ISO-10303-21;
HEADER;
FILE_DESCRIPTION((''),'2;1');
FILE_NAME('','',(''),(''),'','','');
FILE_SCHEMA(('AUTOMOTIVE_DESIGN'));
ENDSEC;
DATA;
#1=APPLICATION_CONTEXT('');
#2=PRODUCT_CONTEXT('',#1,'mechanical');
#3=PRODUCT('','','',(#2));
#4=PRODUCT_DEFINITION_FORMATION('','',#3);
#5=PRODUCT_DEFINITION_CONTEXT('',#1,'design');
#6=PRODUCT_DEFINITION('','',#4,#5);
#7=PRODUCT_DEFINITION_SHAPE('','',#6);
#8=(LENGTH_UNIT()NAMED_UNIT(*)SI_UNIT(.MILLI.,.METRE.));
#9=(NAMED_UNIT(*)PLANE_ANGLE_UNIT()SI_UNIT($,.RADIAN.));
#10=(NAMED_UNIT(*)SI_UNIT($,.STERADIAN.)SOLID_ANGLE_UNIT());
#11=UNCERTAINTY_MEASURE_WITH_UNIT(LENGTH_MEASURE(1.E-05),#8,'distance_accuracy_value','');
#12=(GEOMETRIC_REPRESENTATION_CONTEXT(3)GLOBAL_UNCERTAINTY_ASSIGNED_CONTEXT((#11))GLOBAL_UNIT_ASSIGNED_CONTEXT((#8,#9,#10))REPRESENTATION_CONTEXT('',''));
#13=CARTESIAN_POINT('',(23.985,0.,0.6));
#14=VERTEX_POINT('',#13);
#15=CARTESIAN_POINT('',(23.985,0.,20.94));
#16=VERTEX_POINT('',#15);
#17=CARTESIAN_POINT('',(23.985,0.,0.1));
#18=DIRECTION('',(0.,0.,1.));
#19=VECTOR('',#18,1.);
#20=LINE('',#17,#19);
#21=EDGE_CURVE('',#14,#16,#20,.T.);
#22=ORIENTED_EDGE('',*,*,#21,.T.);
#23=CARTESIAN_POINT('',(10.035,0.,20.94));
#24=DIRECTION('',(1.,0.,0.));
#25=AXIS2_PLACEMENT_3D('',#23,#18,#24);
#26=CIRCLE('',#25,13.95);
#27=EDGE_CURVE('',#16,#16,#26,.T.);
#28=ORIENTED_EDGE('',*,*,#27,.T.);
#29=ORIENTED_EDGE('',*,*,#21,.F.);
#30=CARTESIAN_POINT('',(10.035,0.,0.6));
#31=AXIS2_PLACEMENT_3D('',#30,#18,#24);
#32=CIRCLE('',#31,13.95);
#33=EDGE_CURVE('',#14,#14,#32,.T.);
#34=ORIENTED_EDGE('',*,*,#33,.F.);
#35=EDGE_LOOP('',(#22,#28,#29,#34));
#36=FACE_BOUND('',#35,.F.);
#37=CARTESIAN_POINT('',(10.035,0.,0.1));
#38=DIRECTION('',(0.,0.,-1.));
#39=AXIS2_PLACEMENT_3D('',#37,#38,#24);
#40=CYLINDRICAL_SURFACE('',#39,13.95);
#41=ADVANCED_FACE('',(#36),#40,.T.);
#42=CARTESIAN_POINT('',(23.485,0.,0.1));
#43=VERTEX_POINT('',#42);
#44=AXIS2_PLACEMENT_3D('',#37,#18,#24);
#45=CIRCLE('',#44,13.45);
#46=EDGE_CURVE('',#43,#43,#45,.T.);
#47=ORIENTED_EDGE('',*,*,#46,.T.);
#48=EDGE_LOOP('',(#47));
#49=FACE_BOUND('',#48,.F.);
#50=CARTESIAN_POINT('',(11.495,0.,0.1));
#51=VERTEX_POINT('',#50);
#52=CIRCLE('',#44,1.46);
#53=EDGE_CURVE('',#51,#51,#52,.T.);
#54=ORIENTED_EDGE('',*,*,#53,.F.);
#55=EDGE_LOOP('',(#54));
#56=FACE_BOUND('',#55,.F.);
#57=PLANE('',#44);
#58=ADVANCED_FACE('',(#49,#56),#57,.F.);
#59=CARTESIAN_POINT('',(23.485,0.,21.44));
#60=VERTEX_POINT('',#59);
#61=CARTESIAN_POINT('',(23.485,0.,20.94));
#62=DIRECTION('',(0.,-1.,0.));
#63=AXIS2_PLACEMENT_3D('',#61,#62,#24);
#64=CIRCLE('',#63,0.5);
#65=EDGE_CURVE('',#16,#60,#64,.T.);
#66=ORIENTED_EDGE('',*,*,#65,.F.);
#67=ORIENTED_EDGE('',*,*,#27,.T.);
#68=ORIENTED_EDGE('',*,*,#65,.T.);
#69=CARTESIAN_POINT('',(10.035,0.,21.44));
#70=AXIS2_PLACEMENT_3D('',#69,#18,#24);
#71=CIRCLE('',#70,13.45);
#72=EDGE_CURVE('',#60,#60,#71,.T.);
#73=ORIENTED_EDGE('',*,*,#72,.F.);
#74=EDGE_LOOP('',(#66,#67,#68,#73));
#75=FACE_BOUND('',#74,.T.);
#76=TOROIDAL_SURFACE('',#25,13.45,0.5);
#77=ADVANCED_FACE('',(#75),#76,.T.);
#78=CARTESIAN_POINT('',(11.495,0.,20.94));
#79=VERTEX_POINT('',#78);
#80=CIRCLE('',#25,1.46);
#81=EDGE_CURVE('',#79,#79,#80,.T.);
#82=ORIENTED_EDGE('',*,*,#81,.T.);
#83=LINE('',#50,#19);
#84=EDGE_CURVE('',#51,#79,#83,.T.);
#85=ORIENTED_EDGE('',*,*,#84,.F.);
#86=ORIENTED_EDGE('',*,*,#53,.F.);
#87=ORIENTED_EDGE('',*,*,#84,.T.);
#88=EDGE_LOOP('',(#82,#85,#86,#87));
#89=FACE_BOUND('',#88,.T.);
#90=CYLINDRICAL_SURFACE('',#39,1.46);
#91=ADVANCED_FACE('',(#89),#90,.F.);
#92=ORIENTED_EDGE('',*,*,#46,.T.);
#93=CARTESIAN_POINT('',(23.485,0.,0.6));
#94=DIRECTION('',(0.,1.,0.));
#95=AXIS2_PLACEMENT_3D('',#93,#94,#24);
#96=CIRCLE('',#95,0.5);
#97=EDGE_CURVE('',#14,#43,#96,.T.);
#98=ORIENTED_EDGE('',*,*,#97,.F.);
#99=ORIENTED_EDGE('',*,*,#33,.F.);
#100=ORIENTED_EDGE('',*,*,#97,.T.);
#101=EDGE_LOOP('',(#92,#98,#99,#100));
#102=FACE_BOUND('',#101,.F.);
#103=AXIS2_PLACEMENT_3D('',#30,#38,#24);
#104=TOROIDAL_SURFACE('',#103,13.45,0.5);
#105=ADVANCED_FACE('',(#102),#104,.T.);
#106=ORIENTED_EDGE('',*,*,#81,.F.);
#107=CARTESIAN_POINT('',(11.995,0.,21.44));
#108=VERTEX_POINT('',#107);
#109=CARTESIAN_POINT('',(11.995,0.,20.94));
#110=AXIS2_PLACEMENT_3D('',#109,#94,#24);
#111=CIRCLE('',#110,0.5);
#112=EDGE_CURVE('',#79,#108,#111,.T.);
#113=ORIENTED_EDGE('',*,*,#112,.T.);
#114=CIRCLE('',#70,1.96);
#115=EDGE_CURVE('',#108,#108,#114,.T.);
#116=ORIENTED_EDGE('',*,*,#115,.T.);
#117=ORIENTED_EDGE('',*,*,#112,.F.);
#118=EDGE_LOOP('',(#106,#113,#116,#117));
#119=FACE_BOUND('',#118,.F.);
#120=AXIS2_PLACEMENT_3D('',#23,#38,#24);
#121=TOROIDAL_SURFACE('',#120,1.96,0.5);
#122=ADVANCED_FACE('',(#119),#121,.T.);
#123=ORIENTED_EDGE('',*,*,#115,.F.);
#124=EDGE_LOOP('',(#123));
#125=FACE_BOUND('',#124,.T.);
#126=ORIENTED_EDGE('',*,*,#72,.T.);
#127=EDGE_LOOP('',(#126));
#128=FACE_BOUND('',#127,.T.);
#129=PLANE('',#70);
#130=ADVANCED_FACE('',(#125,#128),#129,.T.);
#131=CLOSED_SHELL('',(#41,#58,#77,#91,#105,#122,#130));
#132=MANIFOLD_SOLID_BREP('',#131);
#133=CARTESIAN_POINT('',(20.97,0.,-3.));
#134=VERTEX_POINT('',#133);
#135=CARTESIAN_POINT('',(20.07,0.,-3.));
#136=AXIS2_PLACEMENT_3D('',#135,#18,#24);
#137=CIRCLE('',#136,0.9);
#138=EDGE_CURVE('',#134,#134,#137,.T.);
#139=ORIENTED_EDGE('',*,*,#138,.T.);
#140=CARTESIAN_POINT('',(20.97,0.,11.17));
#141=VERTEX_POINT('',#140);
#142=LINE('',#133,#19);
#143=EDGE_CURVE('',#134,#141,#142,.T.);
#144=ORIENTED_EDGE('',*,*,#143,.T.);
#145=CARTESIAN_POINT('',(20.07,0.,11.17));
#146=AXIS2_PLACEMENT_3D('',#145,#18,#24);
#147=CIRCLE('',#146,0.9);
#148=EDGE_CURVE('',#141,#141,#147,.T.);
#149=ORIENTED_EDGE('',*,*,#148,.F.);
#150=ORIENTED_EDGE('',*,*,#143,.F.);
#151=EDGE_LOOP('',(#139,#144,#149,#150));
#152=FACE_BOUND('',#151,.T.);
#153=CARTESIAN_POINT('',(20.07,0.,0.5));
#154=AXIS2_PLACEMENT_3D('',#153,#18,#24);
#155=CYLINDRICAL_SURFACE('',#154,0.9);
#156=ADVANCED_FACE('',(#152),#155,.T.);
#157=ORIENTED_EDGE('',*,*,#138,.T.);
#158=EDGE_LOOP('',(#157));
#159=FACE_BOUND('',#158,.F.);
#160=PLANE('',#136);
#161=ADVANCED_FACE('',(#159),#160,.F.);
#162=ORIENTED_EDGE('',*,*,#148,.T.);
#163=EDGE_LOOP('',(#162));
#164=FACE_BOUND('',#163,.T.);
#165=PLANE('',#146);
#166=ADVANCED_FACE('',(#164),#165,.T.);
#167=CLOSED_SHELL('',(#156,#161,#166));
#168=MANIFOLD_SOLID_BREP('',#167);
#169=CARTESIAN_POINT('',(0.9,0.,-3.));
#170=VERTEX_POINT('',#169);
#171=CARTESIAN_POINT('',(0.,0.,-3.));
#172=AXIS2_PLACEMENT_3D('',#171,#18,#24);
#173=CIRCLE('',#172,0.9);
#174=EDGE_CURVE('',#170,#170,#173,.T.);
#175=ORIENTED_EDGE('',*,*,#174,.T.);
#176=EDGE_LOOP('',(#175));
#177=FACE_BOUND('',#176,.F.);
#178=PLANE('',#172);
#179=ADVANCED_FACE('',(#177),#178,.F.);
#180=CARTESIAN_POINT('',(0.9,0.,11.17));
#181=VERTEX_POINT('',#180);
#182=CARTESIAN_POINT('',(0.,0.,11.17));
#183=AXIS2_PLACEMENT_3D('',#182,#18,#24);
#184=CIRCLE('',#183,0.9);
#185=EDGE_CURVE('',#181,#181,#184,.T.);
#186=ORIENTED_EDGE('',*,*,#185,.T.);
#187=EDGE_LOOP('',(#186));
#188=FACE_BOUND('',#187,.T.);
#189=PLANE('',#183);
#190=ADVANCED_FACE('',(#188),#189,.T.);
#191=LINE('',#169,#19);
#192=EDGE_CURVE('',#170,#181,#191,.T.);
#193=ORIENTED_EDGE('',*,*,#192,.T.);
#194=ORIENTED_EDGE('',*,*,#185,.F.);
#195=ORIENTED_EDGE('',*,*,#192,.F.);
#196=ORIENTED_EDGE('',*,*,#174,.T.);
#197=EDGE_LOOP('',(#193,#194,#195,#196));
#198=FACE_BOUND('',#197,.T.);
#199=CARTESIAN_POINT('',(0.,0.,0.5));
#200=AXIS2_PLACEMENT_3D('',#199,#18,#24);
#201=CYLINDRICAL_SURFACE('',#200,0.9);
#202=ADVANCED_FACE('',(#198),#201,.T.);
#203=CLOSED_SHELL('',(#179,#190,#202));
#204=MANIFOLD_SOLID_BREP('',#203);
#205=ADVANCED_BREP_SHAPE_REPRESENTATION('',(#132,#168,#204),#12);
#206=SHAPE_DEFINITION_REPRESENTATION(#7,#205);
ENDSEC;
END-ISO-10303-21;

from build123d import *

# Parameters (mm, degrees)
SKETCH001_R       = 0.9
PAD001_DEPTH      = 10.67
PAD001_DEPTH_BACK = 3.5
SKETCH_R          = 13.95
SKETCH_R_2        = 1.46
PAD_DEPTH         = 21.34
FILLET_R          = 0.5


with BuildPart() as pad001:
    # Sketch001 → Pad001 (new body, two sides)
    with BuildSketch(Plane.XY.offset(0.5)) as pad001_sk:
        Circle(SKETCH001_R)
        with Locations((20.07, 0)):
            Circle(SKETCH001_R)
    extrude(amount=PAD001_DEPTH)
    extrude(pad001_sk.sketch, amount=-PAD001_DEPTH_BACK)


with BuildPart() as fillet_body:
    # Sketch → Pad (new body)
    with BuildSketch(Plane.XY.offset(0.1)):
        with Locations((10.035, 0)):
            Circle(SKETCH_R)
        with Locations((10.035, 0)):
            Circle(SKETCH_R_2, mode=Mode.SUBTRACT)
    extrude(amount=PAD_DEPTH)

    # Fillet
    fillet_edges = [fillet_body.edges().sort_by_distance(p)[0] for p in [
        (8.575, 0, 21.44),
        (-3.915, 0, 21.44),
        (-3.915, 0, 0.1),
    ]]
    fillet(fillet_edges, radius=FILLET_R)


solid = Compound([pad001.part, fillet_body.part])
